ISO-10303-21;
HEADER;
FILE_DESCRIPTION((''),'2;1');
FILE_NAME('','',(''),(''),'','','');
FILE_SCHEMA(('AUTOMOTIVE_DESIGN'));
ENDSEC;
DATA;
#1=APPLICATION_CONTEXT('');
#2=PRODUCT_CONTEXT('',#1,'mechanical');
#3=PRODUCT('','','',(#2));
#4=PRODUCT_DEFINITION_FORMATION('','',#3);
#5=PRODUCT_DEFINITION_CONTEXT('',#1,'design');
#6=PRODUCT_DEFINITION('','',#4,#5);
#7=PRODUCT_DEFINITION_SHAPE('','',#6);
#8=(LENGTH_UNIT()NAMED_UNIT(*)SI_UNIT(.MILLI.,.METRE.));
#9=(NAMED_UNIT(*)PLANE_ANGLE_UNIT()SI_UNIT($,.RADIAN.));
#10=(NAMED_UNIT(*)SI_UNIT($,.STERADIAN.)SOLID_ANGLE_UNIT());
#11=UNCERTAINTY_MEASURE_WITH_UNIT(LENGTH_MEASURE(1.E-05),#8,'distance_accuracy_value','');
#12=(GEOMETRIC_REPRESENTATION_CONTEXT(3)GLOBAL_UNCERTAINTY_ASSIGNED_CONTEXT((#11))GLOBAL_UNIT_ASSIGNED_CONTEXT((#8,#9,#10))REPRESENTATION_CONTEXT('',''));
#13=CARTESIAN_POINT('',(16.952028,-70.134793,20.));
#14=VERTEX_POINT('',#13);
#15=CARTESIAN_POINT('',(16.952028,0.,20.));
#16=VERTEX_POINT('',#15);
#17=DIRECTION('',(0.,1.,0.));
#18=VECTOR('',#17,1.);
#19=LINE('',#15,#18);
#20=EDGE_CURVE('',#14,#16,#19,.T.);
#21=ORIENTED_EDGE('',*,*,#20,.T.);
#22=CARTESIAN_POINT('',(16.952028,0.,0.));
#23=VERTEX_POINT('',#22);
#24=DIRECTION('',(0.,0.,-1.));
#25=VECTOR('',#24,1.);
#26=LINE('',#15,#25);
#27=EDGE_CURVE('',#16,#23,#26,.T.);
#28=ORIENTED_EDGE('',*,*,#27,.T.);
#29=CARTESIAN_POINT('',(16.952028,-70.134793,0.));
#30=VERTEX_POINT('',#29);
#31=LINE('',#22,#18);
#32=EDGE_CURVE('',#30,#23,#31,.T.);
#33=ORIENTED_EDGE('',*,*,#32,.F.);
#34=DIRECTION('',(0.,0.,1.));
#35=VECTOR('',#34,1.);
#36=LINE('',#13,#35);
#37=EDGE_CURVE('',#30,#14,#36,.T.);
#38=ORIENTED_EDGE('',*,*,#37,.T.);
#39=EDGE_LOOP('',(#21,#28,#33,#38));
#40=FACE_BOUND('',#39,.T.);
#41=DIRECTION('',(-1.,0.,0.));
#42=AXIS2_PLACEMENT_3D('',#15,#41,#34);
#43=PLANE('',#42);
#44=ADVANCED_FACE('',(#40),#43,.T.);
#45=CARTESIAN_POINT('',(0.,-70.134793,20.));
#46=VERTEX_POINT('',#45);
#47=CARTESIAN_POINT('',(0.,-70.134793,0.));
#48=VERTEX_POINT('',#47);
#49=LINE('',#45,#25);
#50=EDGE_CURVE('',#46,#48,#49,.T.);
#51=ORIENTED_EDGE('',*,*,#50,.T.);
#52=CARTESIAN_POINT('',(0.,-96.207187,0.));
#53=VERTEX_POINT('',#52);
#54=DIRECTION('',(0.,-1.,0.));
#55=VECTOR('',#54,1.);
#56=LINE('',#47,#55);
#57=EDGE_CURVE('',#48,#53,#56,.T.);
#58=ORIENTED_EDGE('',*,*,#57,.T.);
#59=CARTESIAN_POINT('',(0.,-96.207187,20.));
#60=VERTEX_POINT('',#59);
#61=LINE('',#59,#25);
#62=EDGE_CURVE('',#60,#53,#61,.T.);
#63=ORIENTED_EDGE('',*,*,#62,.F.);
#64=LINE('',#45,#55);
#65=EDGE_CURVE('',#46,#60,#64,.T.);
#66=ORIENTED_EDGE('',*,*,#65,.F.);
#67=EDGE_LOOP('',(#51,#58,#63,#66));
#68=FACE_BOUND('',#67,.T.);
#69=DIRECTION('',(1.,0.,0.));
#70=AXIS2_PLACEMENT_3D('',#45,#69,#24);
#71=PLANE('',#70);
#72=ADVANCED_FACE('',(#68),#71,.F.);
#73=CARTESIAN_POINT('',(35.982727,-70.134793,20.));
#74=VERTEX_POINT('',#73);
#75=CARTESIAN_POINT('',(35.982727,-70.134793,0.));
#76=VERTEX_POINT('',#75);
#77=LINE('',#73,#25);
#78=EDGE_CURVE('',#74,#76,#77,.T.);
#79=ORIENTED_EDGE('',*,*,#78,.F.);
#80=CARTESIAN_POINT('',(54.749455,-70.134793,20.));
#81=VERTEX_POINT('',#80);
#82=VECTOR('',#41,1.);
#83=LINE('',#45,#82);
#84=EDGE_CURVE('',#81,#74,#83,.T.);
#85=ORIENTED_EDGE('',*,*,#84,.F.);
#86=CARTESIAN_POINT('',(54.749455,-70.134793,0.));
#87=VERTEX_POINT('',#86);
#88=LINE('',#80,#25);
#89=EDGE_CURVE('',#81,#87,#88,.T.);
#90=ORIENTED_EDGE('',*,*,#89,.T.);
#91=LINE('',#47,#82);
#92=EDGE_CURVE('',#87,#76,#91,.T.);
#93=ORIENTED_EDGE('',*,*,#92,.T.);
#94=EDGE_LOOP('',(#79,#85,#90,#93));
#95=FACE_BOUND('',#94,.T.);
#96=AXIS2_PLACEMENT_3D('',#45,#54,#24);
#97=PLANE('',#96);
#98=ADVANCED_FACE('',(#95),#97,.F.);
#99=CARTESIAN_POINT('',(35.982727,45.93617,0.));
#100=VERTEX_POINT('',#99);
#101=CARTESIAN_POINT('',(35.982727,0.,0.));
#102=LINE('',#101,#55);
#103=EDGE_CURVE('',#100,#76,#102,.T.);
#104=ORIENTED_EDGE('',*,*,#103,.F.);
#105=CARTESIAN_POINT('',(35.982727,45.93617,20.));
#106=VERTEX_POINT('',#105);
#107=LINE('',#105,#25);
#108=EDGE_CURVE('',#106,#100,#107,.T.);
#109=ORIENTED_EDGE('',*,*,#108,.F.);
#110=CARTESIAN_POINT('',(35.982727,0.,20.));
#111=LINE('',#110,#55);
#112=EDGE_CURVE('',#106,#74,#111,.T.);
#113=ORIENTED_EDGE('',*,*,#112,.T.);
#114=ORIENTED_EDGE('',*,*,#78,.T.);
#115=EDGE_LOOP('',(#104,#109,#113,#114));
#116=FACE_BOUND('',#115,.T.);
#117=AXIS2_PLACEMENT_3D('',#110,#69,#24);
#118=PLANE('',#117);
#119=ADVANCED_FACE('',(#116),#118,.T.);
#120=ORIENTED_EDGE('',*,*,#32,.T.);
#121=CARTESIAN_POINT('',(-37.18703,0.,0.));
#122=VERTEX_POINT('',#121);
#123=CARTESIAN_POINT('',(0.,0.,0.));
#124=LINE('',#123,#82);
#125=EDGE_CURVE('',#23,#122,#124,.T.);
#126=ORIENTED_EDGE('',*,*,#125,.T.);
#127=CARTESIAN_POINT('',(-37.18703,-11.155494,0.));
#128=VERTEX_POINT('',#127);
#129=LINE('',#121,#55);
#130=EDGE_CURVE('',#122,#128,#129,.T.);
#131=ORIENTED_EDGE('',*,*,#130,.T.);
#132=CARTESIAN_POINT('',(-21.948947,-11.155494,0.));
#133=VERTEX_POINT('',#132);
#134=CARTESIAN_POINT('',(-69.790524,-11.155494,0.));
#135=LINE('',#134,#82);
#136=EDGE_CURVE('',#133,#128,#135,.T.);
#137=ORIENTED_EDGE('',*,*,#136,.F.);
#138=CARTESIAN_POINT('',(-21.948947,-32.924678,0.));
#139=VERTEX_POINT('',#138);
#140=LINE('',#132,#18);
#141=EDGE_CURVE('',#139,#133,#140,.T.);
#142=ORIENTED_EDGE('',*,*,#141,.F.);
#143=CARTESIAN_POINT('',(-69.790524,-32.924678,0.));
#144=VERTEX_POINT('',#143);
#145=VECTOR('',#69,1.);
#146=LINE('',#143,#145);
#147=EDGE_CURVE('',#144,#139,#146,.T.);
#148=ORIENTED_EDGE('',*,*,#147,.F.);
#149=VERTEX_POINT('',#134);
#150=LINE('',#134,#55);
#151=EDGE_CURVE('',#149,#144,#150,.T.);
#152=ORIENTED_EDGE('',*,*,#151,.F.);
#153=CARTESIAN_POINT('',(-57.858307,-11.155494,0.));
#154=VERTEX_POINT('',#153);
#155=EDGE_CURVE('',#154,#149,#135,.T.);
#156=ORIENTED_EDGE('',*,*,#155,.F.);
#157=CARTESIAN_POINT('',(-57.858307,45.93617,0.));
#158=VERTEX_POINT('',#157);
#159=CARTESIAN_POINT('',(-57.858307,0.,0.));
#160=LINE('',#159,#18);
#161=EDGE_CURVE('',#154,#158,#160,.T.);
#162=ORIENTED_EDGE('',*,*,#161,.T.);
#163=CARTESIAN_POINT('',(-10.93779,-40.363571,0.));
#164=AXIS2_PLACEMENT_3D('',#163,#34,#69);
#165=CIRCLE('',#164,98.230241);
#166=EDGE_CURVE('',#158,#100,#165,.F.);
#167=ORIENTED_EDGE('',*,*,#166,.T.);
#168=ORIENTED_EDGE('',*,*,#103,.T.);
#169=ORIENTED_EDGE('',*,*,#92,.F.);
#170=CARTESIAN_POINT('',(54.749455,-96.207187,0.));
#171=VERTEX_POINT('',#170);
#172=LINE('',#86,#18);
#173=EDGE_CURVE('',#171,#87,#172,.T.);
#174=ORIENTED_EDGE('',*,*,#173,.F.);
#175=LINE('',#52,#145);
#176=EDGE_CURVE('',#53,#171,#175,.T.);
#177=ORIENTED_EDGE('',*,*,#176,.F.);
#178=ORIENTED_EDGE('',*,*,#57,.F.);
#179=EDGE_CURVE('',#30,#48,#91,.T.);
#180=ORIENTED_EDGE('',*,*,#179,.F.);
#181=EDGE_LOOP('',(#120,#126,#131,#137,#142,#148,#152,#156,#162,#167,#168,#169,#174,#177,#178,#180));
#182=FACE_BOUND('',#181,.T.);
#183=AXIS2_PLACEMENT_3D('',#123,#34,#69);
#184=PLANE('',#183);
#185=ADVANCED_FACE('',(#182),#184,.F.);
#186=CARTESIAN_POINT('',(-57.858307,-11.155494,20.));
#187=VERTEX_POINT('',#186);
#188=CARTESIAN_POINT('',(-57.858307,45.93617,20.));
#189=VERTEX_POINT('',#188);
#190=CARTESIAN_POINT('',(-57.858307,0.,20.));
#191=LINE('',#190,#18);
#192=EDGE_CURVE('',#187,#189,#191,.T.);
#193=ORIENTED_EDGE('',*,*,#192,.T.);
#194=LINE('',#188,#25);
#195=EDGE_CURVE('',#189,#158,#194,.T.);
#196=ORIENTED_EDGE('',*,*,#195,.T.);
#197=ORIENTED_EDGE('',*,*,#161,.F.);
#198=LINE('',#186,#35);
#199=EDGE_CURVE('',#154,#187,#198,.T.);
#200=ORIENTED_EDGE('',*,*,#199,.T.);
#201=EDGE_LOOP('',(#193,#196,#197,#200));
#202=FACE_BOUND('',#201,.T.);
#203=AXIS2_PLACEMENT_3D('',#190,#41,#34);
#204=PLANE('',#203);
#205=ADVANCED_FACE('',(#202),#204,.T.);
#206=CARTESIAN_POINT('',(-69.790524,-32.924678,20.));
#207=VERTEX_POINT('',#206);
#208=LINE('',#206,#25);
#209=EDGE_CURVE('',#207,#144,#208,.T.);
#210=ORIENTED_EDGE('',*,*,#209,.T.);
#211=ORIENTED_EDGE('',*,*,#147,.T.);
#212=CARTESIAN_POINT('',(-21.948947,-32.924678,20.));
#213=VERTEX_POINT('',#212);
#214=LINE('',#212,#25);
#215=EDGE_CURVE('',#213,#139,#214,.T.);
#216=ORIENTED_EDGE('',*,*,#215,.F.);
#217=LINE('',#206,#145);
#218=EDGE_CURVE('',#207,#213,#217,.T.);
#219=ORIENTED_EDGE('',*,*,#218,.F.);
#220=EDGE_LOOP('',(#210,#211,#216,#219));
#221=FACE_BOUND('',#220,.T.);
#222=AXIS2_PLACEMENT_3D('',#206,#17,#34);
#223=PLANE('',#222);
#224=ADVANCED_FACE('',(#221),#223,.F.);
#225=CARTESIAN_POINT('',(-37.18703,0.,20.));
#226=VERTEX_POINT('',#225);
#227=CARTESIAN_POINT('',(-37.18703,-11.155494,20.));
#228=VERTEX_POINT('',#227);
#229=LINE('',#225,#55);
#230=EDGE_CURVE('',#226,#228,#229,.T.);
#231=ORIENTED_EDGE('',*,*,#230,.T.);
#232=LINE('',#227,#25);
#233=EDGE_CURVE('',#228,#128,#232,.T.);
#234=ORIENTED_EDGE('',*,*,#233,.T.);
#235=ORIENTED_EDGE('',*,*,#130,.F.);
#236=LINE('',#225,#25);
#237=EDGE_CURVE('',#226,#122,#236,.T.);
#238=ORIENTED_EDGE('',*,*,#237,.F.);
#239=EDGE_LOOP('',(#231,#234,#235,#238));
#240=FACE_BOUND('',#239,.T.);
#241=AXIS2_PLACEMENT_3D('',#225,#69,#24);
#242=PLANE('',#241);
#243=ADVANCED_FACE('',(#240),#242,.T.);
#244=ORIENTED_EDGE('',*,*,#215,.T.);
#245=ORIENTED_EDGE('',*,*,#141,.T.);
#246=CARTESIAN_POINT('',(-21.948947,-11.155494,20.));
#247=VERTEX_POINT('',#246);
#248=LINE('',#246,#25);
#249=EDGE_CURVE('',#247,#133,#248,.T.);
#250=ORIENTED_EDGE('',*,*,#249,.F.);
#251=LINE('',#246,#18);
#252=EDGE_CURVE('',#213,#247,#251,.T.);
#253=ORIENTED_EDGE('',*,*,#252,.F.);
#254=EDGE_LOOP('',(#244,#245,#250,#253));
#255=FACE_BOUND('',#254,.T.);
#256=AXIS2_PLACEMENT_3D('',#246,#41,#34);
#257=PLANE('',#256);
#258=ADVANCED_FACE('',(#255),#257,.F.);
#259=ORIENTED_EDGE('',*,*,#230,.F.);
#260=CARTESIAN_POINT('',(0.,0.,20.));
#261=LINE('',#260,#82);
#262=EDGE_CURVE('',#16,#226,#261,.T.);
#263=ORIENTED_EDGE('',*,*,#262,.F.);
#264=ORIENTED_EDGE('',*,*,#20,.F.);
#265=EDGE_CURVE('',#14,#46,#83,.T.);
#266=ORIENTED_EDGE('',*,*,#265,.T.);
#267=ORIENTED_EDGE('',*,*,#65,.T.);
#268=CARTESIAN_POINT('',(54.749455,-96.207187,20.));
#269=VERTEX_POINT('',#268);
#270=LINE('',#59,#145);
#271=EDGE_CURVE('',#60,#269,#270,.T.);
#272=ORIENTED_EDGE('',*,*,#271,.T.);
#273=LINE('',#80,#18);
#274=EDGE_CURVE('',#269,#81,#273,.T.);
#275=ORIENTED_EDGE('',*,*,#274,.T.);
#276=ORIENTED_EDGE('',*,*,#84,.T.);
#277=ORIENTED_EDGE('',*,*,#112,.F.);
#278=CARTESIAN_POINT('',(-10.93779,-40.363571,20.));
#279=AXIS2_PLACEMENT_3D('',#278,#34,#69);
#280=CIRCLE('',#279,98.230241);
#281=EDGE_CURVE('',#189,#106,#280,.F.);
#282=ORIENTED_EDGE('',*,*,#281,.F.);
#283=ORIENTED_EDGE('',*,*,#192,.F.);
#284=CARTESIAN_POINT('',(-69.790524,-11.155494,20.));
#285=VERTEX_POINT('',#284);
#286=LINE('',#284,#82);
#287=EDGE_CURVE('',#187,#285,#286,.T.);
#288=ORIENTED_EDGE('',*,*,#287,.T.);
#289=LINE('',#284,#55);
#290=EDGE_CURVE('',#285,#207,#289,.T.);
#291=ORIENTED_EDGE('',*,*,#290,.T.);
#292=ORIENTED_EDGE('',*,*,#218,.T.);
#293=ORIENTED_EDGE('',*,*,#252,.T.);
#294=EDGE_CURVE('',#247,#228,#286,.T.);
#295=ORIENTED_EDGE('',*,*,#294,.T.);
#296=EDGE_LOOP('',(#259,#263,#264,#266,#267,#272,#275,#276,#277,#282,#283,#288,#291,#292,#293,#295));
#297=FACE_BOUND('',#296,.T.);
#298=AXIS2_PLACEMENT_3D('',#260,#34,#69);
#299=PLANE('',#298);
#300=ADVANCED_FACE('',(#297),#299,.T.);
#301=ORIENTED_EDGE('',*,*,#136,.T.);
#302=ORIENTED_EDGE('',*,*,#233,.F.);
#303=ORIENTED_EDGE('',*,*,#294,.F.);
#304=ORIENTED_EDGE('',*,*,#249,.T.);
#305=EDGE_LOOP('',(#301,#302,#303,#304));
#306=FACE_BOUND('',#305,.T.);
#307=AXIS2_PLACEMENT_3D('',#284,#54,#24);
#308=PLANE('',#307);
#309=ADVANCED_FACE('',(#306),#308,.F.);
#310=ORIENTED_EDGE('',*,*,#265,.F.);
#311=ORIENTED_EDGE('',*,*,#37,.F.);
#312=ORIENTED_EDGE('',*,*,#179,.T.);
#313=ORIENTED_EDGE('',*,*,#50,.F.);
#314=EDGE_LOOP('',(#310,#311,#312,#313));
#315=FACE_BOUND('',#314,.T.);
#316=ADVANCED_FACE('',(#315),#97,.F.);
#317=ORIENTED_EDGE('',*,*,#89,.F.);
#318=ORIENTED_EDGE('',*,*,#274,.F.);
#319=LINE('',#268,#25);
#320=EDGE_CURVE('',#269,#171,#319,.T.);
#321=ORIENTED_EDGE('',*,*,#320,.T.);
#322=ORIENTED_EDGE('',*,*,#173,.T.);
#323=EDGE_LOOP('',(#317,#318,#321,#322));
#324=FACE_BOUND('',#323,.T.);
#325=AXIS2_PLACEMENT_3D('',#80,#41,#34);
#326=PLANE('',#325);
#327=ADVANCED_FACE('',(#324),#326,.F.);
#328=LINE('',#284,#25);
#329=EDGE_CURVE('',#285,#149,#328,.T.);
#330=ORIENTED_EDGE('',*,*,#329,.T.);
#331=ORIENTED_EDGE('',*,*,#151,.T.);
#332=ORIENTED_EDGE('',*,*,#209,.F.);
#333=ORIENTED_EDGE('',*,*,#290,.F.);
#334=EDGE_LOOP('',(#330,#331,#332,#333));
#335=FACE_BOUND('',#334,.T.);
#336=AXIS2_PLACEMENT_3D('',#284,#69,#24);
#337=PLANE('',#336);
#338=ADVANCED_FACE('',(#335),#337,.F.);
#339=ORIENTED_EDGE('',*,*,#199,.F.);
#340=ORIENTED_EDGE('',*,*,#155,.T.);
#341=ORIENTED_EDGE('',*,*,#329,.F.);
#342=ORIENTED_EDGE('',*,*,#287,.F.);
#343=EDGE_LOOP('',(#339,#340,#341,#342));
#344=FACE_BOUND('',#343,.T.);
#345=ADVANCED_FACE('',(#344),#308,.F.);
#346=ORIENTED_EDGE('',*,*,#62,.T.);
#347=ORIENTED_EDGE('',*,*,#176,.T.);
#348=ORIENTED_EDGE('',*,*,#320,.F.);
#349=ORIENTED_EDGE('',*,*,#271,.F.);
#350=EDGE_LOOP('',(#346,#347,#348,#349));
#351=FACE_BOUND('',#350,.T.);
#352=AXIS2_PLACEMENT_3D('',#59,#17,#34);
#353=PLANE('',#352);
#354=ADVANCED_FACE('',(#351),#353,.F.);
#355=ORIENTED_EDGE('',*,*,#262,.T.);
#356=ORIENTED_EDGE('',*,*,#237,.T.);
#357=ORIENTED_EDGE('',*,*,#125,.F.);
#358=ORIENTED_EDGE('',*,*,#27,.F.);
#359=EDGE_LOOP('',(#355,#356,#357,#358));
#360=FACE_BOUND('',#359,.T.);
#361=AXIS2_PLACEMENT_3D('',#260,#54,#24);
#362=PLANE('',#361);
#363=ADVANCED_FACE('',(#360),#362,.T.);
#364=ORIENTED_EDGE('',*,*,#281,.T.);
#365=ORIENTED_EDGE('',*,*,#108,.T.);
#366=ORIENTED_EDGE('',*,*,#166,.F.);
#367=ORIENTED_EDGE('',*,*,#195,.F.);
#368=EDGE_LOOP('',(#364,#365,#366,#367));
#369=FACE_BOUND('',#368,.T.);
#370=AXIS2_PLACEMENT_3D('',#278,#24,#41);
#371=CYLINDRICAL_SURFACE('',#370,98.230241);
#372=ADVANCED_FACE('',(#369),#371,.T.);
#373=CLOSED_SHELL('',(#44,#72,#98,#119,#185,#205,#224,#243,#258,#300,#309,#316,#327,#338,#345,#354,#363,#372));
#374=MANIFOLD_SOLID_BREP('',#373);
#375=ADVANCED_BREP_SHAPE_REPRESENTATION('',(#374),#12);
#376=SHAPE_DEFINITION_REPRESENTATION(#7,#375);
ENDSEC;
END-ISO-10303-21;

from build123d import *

# Parameters (mm, degrees)
BOSS_EXTRUDE1_DEPTH = 20
SKETCH3_W           = 47.8415773
SKETCH3_H           = 21.769183321
SKETCH3_W_2         = 54.74945498
SKETCH3_H_2         = 26.072393978
BOSS_EXTRUDE2_DEPTH = 20


with BuildPart() as part:
    # Sketch1 → Boss-Extrude1 (new body)
    with BuildSketch(Plane.XY):
        with BuildLine():
            ThreePointArc((-57.85830676, 45.936170213), (-10.937790042, 57.86666983), (35.982726675, 45.936170213))
            Line((35.982726675, 45.936170213), (35.982726675, -85.966261398))
            Line((35.982726675, -85.966261398), (16.952027587, -85.966261398))
            Line((16.952027587, -85.966261398), (16.952027587, 0))
            Line((16.952027587, 0), (-37.187030164, 0))
            Line((-37.187030164, 0), (-37.187030164, -22.639969605))
            Line((-37.187030164, -22.639969605), (-57.85830676, -22.639969605))
            Line((-57.85830676, -22.639969605), (-57.85830676, 0))
            Line((-57.85830676, 0), (-57.85830676, 45.936170213))
        make_face()
    extrude(amount=BOSS_EXTRUDE1_DEPTH)

    # Sketch3 → Boss-Extrude2 (add)
    with BuildSketch(Plane.XY):
        with Locations((-45.869735372, -22.040085901)):
            Rectangle(SKETCH3_W, SKETCH3_H)
        with Locations((27.37472749, -83.170990229)):
            Rectangle(SKETCH3_W_2, SKETCH3_H_2)
    extrude(amount=BOSS_EXTRUDE2_DEPTH)


solid = part.part
